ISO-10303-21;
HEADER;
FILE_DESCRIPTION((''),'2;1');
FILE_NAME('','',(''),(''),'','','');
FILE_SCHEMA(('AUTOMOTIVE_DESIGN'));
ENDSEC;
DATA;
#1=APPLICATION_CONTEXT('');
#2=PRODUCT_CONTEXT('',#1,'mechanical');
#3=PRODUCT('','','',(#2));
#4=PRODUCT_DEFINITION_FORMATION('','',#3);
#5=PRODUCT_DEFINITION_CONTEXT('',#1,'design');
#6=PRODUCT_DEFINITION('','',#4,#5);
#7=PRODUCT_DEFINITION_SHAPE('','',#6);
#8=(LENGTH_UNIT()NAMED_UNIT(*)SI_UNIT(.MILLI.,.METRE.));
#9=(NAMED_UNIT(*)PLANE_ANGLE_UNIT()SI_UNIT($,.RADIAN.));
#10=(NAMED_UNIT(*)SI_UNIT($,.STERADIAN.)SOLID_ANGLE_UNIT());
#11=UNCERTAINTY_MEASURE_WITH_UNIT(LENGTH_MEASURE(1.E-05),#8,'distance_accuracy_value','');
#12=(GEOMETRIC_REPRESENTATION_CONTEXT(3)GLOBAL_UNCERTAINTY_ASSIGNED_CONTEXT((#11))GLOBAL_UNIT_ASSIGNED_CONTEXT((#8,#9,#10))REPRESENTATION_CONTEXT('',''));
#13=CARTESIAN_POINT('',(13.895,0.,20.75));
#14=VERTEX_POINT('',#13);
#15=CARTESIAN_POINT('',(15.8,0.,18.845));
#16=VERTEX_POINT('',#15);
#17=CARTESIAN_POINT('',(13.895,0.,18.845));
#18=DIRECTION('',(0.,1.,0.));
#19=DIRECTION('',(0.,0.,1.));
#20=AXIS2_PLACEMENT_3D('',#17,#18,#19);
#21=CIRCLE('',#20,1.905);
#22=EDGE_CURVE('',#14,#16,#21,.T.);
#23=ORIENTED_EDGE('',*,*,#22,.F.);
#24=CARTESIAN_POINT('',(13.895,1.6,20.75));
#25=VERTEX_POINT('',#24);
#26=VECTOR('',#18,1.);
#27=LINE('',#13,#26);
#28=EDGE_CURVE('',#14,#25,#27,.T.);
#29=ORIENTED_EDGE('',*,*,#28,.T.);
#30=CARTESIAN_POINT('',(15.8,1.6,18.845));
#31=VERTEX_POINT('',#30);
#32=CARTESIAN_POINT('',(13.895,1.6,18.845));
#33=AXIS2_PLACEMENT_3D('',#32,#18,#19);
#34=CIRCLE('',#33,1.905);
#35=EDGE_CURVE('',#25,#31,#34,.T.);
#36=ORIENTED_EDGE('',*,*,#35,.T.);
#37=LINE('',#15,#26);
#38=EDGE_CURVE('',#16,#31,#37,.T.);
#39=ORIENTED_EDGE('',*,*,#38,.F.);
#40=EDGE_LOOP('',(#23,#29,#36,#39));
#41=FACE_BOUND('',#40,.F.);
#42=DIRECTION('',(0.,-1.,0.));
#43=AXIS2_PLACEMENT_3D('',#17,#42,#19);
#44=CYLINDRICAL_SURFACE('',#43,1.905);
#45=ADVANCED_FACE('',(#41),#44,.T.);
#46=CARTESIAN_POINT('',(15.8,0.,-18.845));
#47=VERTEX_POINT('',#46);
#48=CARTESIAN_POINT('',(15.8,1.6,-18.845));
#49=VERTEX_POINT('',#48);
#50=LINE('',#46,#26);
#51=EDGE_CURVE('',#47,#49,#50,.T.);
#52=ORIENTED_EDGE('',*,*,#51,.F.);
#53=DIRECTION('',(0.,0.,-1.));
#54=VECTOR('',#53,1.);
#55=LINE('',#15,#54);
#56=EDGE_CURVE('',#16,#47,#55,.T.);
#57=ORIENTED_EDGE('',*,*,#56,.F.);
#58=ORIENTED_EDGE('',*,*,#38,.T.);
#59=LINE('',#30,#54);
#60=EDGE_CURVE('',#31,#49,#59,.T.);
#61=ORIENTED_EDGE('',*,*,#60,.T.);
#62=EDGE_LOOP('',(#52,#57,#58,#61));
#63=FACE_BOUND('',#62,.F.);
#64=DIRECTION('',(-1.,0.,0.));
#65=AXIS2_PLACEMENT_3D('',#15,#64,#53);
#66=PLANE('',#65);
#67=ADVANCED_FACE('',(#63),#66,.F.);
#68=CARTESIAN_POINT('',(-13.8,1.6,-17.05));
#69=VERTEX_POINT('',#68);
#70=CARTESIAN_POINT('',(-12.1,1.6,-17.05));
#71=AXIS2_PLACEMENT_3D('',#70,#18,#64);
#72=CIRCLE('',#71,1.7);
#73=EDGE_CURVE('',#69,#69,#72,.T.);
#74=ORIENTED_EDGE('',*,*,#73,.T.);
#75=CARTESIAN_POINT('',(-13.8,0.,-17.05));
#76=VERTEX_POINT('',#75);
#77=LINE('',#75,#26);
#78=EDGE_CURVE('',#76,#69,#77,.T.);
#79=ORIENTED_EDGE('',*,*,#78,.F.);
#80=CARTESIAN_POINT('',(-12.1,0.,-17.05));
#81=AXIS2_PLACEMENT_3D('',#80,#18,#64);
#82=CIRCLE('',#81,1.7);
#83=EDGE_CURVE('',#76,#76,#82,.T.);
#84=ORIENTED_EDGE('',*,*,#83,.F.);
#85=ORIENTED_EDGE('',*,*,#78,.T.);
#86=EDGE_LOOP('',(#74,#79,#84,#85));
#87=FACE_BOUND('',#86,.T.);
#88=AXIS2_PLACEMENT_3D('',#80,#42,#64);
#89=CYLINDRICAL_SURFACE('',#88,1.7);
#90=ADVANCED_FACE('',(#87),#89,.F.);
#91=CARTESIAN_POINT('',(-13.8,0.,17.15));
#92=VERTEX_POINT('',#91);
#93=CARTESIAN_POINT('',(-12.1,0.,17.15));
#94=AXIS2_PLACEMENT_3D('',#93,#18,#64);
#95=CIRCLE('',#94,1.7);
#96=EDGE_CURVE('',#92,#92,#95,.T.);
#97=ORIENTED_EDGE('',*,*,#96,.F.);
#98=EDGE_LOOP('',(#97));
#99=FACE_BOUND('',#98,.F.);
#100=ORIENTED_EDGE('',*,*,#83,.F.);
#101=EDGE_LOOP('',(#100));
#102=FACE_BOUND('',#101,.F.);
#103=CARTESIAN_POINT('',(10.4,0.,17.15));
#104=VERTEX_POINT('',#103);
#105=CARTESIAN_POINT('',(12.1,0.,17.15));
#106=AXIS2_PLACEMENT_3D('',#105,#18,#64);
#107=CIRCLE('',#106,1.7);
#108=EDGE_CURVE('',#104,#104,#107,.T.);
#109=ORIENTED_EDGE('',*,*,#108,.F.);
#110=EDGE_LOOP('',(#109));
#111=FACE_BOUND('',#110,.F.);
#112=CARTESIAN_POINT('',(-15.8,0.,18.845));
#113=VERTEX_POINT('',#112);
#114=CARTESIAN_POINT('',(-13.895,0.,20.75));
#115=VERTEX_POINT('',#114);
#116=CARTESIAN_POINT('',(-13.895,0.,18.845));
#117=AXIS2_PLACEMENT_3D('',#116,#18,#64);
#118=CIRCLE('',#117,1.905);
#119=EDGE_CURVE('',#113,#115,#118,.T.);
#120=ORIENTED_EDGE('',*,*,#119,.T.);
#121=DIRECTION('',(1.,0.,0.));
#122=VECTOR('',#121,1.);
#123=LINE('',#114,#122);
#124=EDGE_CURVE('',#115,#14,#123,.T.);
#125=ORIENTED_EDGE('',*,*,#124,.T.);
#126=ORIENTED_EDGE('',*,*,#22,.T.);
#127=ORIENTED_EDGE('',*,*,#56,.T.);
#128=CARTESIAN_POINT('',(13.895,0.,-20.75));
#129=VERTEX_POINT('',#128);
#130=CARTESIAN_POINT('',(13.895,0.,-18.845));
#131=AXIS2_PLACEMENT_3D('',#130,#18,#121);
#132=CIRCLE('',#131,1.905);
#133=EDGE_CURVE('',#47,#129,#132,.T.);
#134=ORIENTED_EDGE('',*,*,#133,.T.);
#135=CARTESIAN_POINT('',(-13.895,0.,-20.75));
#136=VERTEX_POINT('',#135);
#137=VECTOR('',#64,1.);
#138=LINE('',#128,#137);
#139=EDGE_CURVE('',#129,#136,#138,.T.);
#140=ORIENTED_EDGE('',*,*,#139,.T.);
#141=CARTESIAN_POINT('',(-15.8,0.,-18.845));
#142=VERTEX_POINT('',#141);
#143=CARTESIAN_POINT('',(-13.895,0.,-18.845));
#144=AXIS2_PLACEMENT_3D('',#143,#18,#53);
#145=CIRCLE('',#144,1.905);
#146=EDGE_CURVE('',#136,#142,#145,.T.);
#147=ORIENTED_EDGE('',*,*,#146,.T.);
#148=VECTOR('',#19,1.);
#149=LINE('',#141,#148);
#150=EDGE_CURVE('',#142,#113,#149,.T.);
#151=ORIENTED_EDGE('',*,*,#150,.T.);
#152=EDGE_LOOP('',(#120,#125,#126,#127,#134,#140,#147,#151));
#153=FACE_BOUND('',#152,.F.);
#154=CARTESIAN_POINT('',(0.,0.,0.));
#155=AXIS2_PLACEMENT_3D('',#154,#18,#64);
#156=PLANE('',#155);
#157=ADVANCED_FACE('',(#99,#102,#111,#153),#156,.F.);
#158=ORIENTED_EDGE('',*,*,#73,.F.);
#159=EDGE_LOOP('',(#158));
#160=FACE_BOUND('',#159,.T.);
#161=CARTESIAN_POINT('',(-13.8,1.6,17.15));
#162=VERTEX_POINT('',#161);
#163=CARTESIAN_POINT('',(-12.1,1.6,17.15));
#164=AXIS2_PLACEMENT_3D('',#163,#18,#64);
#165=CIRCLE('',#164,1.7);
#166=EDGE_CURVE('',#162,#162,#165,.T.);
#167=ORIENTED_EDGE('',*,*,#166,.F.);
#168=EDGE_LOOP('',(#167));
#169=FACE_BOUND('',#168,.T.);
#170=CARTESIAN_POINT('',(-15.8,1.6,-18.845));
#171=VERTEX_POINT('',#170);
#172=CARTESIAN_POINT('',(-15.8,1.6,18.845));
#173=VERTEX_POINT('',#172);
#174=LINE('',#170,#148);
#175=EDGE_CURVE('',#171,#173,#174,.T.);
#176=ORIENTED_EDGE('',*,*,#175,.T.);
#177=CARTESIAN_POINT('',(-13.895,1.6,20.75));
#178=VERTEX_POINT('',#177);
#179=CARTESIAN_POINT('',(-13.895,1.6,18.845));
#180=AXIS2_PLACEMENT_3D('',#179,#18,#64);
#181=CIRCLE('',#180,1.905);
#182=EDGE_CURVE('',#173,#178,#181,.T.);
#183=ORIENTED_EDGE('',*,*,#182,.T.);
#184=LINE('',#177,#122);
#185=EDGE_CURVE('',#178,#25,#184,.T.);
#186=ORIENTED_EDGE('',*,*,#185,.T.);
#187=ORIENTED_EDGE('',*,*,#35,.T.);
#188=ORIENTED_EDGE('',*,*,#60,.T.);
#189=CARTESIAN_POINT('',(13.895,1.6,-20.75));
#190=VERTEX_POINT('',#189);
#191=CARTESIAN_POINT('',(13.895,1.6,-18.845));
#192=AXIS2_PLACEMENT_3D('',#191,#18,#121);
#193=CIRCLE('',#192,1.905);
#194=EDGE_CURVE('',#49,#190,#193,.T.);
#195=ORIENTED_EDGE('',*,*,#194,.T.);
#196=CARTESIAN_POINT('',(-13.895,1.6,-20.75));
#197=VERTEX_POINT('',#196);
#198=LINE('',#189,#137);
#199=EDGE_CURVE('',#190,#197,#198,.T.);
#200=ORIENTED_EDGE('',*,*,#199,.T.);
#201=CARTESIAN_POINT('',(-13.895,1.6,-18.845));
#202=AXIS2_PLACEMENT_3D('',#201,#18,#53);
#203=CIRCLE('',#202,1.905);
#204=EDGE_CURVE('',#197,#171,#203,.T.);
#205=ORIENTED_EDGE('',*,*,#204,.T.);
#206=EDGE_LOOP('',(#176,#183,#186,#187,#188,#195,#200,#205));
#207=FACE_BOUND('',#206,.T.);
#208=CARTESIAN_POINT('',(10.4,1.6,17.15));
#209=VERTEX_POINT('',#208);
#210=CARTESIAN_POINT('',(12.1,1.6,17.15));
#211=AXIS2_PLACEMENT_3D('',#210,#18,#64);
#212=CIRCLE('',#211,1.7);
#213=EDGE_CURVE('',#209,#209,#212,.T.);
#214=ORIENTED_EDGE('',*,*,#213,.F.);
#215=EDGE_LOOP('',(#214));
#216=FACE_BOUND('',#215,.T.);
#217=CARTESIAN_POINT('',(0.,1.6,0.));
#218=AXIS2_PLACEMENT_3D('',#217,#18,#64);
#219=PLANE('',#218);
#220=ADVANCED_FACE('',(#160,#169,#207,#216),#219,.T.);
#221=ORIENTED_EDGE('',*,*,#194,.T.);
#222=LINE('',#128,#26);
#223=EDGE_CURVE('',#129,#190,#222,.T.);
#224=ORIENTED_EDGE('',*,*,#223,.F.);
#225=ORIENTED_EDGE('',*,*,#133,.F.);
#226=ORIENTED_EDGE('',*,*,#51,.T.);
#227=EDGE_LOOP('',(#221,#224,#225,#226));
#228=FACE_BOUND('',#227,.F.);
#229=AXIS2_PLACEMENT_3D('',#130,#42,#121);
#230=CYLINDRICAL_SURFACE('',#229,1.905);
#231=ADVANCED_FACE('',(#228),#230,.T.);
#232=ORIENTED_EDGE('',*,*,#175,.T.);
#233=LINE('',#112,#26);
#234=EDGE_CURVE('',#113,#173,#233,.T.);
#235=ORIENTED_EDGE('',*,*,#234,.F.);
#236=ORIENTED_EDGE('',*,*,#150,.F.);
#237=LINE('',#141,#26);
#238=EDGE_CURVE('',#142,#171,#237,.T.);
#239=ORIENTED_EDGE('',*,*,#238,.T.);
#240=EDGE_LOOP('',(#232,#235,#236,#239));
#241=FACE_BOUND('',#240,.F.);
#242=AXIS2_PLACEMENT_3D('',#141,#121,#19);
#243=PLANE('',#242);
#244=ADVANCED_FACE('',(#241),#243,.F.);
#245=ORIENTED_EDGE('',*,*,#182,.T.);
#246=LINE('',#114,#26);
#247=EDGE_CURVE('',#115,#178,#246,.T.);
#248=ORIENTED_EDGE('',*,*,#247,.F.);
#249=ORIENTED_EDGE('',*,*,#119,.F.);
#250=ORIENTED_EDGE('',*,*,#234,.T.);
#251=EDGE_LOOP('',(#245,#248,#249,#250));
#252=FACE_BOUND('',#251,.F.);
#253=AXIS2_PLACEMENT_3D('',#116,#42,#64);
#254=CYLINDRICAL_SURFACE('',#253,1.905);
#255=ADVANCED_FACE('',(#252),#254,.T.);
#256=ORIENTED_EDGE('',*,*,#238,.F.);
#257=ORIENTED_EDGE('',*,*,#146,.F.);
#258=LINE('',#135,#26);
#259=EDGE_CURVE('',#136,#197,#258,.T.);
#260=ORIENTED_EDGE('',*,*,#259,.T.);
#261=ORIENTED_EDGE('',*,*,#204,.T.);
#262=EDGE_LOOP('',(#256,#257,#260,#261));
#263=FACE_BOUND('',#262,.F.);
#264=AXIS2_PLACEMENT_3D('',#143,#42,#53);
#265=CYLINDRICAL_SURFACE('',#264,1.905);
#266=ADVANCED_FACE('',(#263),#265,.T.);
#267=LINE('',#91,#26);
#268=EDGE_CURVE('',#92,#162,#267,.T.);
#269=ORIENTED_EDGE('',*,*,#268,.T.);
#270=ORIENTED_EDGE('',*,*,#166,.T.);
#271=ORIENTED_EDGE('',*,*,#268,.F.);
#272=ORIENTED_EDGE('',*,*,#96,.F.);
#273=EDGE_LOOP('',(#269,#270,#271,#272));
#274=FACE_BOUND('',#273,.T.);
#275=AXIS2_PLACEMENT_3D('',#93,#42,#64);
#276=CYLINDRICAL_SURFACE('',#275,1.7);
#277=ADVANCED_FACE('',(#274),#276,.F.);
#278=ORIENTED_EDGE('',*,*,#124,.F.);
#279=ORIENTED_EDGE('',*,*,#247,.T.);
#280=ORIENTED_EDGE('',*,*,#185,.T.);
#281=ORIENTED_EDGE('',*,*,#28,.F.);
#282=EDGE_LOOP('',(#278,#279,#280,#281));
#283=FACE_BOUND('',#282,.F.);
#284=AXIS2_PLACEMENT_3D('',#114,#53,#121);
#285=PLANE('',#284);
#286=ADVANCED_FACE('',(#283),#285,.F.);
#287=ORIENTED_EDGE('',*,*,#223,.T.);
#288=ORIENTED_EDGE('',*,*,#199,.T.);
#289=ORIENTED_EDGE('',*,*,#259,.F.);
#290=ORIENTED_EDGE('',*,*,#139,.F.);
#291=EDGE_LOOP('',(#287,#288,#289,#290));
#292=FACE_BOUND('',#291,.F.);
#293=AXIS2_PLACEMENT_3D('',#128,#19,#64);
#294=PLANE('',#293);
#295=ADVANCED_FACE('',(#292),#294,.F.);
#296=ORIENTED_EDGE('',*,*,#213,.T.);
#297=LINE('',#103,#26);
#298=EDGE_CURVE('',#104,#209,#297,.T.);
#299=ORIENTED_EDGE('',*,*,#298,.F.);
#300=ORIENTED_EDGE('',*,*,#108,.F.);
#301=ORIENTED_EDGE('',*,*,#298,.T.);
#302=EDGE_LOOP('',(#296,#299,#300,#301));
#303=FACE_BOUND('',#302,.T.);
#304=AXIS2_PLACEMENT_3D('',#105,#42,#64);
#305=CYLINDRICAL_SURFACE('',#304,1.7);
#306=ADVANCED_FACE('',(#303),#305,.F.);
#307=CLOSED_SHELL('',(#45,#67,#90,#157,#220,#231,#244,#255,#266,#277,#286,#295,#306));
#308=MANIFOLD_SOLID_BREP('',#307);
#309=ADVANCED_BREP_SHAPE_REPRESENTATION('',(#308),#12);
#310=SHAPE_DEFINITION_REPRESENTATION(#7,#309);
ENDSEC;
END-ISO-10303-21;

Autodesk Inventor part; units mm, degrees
ref_plane "YZ Plane" through (0, 0, 0) normal (1, 0, 0) x (0, 1, 0)
ref_plane "XZ Plane" through (0, 0, 0) normal (0, 1, 0) x (-1, 0, 0)
ref_plane "XY Plane" through (0, 0, 0) normal (0, 0, 1) x (1, 0, 0)
sketch "Sketch1" plane through (0, 0, 0) normal (0, 1, 0) x (-1, 0, 0)
  line L0 (13.895, 20.75) -> (-13.895, 20.75)
  line L1 (-15.8, 18.845) -> (-15.8, -18.845)
  line L2 (-13.895, -20.75) -> (13.895, -20.75)
  line L3 (15.8, -18.845) -> (15.8, 18.845)
  line L4 (15.8, 20.75) -> (-15.8, -20.75) construction
  line L5 (-15.8, 20.75) -> (15.8, -20.75) construction
  arc A0 (15.8, 18.845) -> (13.895, 20.75) centre (13.895, 18.845) ccw
  arc A1 (13.895, -20.75) -> (15.8, -18.845) centre (13.895, -18.845) ccw
  arc A2 (-15.8, -18.845) -> (-13.895, -20.75) centre (-13.895, -18.845) ccw
  arc A3 (-13.895, 20.75) -> (-15.8, 18.845) centre (-13.895, 18.845) ccw
  circle A4 centre (12.1, 17.15) radius 1.7
  circle A5 centre (12.1, -17.05) radius 1.7
  circle A6 centre (-12.1, 17.15) radius 1.7
  line L6 (15.8, 0) -> (-15.8, 0) construction
  point P0 (0, 0)
  dimension "d0" = 41.5
  dimension "d1" = 31.6
  dimension "d2" = 1.905
  dimension "d3" = 3.4
  dimension "d4" = 3.4
  dimension "d5" = 3.4
  dimension "d6" = 34.2
  dimension "d9" = 3.7
  dimension "d10" = 3.6
  dimension "d11" = 3.6
  dimension "d12" = 24.2
  dimension "d13" = 3.7
extrude "Extrusion1" add sketch "Sketch1" along normal blind 1.6
equation "\"d3\" = m3_clearance"
equation "\"d4\" = d3"
equation "\"d5\" = d3"
equation "\"d11\" = d10"
equation "\"m3_heat_set_insert\" = 4"
equation "\"m3_clearance\" = 3.4"
equation "\"m3_heat_set_depth\" = 7"
equation "\"robot_diameter\" = 354"
equation "\"hardboard_thickness\" = 5"
equation "\"motor_centerline_height\" = 13"
properties part number "microphone_mcu"
